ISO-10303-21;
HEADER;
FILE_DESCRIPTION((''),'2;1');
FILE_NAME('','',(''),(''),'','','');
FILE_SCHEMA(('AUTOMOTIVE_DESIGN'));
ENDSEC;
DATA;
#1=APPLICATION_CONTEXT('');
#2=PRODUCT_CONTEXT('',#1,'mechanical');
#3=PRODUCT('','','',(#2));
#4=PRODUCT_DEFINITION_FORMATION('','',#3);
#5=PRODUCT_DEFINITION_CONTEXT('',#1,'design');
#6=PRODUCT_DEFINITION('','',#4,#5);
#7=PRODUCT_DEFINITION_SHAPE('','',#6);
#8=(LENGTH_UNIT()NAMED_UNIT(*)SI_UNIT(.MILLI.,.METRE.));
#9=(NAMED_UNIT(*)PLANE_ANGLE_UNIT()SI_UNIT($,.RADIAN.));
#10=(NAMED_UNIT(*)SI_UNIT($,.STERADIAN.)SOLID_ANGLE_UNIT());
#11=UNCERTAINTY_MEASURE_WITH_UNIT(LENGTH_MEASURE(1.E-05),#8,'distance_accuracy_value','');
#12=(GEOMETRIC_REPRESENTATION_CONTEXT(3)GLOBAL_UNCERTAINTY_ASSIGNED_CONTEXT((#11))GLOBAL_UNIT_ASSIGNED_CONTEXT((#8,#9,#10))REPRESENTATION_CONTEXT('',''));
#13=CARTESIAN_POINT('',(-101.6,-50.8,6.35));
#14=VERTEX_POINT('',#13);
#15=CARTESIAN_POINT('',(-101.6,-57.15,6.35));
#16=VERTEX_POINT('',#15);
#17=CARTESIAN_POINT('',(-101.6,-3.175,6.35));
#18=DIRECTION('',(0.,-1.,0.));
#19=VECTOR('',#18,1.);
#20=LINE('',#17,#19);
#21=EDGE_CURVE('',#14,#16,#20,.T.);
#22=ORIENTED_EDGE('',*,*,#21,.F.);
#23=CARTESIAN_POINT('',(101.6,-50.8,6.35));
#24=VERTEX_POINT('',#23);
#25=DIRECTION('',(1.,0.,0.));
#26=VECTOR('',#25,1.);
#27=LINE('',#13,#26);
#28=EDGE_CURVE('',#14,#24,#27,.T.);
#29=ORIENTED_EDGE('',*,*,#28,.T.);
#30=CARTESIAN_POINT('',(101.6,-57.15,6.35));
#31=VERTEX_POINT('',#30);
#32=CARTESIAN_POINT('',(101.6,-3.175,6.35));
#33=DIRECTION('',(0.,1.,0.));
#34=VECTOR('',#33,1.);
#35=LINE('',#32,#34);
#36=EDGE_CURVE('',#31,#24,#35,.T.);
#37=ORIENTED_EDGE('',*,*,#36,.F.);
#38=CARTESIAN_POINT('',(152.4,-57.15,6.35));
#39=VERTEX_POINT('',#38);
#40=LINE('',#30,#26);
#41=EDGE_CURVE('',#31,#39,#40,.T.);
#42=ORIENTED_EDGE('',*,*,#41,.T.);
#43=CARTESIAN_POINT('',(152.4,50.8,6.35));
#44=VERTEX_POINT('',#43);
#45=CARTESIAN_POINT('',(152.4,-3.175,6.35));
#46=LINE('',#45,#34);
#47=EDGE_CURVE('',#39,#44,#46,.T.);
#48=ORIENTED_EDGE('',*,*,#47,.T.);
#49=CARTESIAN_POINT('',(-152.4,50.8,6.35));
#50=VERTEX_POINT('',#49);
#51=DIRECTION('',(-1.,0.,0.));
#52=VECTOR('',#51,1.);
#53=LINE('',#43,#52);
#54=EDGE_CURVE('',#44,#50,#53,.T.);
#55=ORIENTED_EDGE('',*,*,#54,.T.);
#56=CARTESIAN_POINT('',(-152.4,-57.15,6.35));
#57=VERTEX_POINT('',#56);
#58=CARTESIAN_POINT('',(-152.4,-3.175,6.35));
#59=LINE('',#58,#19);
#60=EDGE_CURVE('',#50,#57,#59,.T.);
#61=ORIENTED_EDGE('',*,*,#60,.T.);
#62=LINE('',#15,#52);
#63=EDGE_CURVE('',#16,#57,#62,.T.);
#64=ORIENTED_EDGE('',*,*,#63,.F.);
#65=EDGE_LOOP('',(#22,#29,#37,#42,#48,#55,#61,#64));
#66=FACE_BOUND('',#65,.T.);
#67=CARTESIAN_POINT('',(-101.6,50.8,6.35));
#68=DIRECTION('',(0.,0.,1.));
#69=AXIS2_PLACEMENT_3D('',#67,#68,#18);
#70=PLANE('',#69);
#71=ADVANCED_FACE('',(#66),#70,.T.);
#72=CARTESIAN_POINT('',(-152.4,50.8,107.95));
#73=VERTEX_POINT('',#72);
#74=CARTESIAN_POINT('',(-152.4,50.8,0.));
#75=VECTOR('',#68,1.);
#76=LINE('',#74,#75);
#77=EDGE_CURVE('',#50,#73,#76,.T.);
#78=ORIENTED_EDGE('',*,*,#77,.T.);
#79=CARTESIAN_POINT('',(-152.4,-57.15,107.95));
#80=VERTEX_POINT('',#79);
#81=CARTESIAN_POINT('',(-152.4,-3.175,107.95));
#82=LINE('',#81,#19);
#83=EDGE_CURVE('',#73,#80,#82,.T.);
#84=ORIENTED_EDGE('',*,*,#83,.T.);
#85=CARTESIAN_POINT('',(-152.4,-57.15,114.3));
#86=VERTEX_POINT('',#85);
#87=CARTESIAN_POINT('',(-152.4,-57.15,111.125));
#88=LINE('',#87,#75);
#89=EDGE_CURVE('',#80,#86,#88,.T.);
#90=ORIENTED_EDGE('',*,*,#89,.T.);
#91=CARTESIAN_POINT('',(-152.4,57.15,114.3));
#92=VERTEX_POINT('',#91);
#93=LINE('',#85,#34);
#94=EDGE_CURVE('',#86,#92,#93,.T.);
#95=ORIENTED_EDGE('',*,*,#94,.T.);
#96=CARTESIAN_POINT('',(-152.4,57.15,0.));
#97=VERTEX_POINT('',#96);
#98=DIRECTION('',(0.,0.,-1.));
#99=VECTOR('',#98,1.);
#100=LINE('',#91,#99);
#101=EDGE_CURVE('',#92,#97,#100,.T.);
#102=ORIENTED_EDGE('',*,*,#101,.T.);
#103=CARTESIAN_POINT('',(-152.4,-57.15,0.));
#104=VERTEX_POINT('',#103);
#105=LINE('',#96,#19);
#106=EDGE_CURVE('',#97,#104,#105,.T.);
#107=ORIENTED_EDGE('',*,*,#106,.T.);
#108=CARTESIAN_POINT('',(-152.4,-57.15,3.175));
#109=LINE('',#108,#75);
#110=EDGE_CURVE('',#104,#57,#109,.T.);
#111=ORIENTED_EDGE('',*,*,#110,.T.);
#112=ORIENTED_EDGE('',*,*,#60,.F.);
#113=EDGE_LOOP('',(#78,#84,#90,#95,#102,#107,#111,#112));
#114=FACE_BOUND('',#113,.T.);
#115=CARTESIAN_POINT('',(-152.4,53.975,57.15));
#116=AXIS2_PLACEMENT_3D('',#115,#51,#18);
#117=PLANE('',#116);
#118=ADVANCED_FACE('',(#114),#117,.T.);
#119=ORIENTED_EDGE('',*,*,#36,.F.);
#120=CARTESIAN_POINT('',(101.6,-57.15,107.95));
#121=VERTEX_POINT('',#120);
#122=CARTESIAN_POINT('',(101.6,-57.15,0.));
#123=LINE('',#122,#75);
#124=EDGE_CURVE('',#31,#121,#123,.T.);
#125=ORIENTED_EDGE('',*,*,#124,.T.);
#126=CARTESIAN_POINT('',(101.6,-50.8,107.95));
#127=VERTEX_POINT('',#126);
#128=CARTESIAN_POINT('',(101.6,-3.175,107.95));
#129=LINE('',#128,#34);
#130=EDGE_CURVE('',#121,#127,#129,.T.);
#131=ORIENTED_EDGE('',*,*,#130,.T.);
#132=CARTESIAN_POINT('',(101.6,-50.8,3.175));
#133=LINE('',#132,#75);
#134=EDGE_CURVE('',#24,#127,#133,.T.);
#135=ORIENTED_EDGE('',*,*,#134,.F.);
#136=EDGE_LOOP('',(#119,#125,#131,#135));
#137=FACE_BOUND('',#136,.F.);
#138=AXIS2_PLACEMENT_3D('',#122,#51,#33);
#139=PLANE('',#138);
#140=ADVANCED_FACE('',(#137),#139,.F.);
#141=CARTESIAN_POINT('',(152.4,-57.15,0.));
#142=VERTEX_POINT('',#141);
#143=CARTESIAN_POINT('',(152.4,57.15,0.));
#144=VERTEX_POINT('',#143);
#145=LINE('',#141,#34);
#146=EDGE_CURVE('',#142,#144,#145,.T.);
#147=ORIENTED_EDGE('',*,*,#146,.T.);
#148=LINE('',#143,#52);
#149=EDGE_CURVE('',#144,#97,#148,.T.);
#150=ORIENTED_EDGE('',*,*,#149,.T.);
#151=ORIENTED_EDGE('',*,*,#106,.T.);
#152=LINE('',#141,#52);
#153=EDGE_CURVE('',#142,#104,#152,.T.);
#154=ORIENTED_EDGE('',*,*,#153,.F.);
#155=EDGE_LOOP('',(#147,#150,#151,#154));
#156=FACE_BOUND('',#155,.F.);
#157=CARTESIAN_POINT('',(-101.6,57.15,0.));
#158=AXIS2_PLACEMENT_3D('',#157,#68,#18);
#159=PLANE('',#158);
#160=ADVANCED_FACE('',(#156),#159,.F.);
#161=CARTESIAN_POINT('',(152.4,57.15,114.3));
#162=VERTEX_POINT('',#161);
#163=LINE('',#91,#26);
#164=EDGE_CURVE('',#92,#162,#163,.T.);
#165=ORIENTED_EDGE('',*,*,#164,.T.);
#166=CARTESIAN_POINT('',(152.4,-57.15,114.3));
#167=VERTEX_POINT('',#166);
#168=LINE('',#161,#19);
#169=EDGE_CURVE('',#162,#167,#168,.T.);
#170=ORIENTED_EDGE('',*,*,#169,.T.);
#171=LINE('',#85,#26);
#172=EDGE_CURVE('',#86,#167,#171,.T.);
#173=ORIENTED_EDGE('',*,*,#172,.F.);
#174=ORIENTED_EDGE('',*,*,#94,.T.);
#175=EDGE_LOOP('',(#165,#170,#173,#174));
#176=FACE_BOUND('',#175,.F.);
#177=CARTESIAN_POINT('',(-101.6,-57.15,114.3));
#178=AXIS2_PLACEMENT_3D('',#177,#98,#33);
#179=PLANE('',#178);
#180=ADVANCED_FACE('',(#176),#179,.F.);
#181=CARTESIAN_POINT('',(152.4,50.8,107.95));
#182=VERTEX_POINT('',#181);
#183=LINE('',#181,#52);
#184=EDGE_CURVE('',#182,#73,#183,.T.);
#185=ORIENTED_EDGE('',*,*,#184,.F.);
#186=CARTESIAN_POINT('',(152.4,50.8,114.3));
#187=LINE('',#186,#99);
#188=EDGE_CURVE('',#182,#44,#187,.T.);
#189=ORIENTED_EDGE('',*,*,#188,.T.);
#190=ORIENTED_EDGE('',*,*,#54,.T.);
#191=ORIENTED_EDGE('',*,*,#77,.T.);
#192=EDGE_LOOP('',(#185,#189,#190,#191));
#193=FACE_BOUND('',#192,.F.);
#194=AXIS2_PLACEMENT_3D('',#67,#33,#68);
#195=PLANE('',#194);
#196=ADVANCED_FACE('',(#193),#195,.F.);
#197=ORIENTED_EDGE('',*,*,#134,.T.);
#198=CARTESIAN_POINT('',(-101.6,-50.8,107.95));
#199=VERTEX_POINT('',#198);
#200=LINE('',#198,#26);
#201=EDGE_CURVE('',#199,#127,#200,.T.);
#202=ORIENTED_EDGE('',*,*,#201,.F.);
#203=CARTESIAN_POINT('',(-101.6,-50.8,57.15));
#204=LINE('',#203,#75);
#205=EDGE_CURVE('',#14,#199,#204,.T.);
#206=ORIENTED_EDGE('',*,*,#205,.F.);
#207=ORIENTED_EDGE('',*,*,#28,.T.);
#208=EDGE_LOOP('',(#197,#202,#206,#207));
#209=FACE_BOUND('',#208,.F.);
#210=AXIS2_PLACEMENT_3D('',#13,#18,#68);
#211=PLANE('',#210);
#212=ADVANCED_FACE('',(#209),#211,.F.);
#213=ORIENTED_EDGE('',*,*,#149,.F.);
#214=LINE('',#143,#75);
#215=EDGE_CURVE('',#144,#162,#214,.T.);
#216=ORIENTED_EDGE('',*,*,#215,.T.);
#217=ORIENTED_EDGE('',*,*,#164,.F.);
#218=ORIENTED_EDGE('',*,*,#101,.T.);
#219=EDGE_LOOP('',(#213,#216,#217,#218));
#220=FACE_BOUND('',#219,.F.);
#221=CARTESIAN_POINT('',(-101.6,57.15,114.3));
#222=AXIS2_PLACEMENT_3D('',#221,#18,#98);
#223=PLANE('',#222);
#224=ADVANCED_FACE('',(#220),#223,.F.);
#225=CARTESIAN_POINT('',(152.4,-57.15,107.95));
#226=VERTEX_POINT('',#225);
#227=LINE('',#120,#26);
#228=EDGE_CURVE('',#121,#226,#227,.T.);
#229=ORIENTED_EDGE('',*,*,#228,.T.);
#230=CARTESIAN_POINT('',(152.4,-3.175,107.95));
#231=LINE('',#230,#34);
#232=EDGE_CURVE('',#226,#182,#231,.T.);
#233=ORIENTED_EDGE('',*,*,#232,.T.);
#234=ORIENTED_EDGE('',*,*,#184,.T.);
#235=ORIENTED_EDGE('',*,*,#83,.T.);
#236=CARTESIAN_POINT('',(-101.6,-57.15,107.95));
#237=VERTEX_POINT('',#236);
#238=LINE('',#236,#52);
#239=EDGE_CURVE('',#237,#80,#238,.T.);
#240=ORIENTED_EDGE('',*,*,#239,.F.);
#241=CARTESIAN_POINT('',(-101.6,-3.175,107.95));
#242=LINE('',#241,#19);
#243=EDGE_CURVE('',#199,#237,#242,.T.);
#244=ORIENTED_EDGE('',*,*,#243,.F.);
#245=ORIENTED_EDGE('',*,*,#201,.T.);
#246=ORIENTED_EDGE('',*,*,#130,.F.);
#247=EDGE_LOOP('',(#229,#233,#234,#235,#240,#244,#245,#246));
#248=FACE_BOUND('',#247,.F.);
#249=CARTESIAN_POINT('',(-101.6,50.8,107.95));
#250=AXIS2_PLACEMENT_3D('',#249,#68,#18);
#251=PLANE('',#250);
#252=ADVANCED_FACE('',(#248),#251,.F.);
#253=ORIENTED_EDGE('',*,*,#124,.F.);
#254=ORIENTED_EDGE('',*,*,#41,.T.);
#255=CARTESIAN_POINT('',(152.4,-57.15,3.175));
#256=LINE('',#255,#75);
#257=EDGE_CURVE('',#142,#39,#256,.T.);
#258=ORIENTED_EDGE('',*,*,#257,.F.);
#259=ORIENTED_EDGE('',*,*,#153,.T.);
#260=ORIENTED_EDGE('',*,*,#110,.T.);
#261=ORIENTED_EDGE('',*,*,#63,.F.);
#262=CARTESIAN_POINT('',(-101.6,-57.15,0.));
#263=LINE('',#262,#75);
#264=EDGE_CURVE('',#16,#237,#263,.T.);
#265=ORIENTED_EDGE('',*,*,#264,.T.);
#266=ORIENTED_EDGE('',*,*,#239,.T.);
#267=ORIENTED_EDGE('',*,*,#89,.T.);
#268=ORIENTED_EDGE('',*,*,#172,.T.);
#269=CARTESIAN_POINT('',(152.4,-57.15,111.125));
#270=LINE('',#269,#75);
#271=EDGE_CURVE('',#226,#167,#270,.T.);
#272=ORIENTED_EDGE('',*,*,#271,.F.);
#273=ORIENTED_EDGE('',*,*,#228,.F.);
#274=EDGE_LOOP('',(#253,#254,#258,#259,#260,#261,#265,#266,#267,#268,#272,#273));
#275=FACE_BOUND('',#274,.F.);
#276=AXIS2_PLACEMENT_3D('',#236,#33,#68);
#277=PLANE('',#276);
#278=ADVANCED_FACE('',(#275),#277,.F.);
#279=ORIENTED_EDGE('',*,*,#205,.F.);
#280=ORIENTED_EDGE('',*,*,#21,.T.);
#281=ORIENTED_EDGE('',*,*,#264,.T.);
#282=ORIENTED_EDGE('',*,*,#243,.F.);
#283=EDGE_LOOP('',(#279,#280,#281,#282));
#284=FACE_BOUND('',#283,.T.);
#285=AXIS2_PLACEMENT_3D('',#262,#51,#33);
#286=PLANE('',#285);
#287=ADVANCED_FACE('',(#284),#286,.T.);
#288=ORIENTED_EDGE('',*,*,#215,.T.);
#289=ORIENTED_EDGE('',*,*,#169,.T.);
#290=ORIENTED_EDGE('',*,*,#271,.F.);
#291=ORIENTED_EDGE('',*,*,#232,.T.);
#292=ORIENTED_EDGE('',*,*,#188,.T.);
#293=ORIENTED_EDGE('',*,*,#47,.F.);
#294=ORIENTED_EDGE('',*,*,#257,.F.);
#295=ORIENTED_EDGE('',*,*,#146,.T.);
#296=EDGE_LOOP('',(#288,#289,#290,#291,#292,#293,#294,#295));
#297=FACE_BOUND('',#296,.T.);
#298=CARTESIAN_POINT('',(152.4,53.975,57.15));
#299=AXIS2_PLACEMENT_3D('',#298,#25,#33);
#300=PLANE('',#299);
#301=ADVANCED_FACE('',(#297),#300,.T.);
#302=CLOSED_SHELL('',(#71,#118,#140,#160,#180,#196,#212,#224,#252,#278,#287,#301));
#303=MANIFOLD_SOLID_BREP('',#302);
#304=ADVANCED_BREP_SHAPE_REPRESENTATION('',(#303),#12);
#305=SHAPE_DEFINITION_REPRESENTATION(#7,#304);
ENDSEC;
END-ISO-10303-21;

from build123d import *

# Parameters (mm, degrees)
F0_W     = 203.2
F0_H     = 114.3
F1_DEPTH = 114.3
F2_W     = 101.6
F2_H     = 101.6
F3_DEPTH = 203.201
F4_W     = 107.95
F4_H     = 6.35
F5_DEPTH = 50.8
F6_W     = 107.95
F6_H     = 6.35
F7_DEPTH = 50.8


with BuildPart() as f1:
    # F0 (on Top) → F1 (new body)
    with BuildSketch(Plane.XY):
        Rectangle(F0_W, F0_H)
    extrude(amount=F1_DEPTH)

    # F2 (on face) → F3 (cut, through all)
    with BuildSketch(Plane(origin=(-101.6, 0, 0), x_dir=(0, -1, 0), z_dir=(-1, 0, 0))):
        with Locations((0, 57.15)):
            Rectangle(F2_W, F2_H)
    extrude(amount=-F3_DEPTH, mode=Mode.SUBTRACT)

    # F4 (on face) → F5 (join)
    with BuildSketch(Plane.YZ.offset(101.6)):
        Polygon((57.15, 0), (57.15, 114.3), (50.8, 114.3), (50.8, 107.95), (50.8, 6.35), (50.8, 0), align=None)
        with Locations((-3.175, 111.125)):
            Rectangle(F4_W, F4_H)
        with Locations((-3.175, 3.175)):
            Rectangle(F4_W, F4_H)
    extrude(amount=F5_DEPTH)

    # F6 (on face) → F7 (join)
    with BuildSketch(Plane(origin=(-101.6, 0, 0), x_dir=(0, -1, 0), z_dir=(-1, 0, 0))):
        Polygon((-50.8, 114.3), (-57.15, 114.3), (-57.15, 0), (-50.8, 0), (-50.8, 6.35), (-50.8, 107.95), align=None)
        with Locations((3.175, 111.125)):
            Rectangle(F6_W, F6_H)
        with Locations((3.175, 3.175)):
            Rectangle(F6_W, F6_H)
    extrude(amount=F7_DEPTH)


solid = f1.part
